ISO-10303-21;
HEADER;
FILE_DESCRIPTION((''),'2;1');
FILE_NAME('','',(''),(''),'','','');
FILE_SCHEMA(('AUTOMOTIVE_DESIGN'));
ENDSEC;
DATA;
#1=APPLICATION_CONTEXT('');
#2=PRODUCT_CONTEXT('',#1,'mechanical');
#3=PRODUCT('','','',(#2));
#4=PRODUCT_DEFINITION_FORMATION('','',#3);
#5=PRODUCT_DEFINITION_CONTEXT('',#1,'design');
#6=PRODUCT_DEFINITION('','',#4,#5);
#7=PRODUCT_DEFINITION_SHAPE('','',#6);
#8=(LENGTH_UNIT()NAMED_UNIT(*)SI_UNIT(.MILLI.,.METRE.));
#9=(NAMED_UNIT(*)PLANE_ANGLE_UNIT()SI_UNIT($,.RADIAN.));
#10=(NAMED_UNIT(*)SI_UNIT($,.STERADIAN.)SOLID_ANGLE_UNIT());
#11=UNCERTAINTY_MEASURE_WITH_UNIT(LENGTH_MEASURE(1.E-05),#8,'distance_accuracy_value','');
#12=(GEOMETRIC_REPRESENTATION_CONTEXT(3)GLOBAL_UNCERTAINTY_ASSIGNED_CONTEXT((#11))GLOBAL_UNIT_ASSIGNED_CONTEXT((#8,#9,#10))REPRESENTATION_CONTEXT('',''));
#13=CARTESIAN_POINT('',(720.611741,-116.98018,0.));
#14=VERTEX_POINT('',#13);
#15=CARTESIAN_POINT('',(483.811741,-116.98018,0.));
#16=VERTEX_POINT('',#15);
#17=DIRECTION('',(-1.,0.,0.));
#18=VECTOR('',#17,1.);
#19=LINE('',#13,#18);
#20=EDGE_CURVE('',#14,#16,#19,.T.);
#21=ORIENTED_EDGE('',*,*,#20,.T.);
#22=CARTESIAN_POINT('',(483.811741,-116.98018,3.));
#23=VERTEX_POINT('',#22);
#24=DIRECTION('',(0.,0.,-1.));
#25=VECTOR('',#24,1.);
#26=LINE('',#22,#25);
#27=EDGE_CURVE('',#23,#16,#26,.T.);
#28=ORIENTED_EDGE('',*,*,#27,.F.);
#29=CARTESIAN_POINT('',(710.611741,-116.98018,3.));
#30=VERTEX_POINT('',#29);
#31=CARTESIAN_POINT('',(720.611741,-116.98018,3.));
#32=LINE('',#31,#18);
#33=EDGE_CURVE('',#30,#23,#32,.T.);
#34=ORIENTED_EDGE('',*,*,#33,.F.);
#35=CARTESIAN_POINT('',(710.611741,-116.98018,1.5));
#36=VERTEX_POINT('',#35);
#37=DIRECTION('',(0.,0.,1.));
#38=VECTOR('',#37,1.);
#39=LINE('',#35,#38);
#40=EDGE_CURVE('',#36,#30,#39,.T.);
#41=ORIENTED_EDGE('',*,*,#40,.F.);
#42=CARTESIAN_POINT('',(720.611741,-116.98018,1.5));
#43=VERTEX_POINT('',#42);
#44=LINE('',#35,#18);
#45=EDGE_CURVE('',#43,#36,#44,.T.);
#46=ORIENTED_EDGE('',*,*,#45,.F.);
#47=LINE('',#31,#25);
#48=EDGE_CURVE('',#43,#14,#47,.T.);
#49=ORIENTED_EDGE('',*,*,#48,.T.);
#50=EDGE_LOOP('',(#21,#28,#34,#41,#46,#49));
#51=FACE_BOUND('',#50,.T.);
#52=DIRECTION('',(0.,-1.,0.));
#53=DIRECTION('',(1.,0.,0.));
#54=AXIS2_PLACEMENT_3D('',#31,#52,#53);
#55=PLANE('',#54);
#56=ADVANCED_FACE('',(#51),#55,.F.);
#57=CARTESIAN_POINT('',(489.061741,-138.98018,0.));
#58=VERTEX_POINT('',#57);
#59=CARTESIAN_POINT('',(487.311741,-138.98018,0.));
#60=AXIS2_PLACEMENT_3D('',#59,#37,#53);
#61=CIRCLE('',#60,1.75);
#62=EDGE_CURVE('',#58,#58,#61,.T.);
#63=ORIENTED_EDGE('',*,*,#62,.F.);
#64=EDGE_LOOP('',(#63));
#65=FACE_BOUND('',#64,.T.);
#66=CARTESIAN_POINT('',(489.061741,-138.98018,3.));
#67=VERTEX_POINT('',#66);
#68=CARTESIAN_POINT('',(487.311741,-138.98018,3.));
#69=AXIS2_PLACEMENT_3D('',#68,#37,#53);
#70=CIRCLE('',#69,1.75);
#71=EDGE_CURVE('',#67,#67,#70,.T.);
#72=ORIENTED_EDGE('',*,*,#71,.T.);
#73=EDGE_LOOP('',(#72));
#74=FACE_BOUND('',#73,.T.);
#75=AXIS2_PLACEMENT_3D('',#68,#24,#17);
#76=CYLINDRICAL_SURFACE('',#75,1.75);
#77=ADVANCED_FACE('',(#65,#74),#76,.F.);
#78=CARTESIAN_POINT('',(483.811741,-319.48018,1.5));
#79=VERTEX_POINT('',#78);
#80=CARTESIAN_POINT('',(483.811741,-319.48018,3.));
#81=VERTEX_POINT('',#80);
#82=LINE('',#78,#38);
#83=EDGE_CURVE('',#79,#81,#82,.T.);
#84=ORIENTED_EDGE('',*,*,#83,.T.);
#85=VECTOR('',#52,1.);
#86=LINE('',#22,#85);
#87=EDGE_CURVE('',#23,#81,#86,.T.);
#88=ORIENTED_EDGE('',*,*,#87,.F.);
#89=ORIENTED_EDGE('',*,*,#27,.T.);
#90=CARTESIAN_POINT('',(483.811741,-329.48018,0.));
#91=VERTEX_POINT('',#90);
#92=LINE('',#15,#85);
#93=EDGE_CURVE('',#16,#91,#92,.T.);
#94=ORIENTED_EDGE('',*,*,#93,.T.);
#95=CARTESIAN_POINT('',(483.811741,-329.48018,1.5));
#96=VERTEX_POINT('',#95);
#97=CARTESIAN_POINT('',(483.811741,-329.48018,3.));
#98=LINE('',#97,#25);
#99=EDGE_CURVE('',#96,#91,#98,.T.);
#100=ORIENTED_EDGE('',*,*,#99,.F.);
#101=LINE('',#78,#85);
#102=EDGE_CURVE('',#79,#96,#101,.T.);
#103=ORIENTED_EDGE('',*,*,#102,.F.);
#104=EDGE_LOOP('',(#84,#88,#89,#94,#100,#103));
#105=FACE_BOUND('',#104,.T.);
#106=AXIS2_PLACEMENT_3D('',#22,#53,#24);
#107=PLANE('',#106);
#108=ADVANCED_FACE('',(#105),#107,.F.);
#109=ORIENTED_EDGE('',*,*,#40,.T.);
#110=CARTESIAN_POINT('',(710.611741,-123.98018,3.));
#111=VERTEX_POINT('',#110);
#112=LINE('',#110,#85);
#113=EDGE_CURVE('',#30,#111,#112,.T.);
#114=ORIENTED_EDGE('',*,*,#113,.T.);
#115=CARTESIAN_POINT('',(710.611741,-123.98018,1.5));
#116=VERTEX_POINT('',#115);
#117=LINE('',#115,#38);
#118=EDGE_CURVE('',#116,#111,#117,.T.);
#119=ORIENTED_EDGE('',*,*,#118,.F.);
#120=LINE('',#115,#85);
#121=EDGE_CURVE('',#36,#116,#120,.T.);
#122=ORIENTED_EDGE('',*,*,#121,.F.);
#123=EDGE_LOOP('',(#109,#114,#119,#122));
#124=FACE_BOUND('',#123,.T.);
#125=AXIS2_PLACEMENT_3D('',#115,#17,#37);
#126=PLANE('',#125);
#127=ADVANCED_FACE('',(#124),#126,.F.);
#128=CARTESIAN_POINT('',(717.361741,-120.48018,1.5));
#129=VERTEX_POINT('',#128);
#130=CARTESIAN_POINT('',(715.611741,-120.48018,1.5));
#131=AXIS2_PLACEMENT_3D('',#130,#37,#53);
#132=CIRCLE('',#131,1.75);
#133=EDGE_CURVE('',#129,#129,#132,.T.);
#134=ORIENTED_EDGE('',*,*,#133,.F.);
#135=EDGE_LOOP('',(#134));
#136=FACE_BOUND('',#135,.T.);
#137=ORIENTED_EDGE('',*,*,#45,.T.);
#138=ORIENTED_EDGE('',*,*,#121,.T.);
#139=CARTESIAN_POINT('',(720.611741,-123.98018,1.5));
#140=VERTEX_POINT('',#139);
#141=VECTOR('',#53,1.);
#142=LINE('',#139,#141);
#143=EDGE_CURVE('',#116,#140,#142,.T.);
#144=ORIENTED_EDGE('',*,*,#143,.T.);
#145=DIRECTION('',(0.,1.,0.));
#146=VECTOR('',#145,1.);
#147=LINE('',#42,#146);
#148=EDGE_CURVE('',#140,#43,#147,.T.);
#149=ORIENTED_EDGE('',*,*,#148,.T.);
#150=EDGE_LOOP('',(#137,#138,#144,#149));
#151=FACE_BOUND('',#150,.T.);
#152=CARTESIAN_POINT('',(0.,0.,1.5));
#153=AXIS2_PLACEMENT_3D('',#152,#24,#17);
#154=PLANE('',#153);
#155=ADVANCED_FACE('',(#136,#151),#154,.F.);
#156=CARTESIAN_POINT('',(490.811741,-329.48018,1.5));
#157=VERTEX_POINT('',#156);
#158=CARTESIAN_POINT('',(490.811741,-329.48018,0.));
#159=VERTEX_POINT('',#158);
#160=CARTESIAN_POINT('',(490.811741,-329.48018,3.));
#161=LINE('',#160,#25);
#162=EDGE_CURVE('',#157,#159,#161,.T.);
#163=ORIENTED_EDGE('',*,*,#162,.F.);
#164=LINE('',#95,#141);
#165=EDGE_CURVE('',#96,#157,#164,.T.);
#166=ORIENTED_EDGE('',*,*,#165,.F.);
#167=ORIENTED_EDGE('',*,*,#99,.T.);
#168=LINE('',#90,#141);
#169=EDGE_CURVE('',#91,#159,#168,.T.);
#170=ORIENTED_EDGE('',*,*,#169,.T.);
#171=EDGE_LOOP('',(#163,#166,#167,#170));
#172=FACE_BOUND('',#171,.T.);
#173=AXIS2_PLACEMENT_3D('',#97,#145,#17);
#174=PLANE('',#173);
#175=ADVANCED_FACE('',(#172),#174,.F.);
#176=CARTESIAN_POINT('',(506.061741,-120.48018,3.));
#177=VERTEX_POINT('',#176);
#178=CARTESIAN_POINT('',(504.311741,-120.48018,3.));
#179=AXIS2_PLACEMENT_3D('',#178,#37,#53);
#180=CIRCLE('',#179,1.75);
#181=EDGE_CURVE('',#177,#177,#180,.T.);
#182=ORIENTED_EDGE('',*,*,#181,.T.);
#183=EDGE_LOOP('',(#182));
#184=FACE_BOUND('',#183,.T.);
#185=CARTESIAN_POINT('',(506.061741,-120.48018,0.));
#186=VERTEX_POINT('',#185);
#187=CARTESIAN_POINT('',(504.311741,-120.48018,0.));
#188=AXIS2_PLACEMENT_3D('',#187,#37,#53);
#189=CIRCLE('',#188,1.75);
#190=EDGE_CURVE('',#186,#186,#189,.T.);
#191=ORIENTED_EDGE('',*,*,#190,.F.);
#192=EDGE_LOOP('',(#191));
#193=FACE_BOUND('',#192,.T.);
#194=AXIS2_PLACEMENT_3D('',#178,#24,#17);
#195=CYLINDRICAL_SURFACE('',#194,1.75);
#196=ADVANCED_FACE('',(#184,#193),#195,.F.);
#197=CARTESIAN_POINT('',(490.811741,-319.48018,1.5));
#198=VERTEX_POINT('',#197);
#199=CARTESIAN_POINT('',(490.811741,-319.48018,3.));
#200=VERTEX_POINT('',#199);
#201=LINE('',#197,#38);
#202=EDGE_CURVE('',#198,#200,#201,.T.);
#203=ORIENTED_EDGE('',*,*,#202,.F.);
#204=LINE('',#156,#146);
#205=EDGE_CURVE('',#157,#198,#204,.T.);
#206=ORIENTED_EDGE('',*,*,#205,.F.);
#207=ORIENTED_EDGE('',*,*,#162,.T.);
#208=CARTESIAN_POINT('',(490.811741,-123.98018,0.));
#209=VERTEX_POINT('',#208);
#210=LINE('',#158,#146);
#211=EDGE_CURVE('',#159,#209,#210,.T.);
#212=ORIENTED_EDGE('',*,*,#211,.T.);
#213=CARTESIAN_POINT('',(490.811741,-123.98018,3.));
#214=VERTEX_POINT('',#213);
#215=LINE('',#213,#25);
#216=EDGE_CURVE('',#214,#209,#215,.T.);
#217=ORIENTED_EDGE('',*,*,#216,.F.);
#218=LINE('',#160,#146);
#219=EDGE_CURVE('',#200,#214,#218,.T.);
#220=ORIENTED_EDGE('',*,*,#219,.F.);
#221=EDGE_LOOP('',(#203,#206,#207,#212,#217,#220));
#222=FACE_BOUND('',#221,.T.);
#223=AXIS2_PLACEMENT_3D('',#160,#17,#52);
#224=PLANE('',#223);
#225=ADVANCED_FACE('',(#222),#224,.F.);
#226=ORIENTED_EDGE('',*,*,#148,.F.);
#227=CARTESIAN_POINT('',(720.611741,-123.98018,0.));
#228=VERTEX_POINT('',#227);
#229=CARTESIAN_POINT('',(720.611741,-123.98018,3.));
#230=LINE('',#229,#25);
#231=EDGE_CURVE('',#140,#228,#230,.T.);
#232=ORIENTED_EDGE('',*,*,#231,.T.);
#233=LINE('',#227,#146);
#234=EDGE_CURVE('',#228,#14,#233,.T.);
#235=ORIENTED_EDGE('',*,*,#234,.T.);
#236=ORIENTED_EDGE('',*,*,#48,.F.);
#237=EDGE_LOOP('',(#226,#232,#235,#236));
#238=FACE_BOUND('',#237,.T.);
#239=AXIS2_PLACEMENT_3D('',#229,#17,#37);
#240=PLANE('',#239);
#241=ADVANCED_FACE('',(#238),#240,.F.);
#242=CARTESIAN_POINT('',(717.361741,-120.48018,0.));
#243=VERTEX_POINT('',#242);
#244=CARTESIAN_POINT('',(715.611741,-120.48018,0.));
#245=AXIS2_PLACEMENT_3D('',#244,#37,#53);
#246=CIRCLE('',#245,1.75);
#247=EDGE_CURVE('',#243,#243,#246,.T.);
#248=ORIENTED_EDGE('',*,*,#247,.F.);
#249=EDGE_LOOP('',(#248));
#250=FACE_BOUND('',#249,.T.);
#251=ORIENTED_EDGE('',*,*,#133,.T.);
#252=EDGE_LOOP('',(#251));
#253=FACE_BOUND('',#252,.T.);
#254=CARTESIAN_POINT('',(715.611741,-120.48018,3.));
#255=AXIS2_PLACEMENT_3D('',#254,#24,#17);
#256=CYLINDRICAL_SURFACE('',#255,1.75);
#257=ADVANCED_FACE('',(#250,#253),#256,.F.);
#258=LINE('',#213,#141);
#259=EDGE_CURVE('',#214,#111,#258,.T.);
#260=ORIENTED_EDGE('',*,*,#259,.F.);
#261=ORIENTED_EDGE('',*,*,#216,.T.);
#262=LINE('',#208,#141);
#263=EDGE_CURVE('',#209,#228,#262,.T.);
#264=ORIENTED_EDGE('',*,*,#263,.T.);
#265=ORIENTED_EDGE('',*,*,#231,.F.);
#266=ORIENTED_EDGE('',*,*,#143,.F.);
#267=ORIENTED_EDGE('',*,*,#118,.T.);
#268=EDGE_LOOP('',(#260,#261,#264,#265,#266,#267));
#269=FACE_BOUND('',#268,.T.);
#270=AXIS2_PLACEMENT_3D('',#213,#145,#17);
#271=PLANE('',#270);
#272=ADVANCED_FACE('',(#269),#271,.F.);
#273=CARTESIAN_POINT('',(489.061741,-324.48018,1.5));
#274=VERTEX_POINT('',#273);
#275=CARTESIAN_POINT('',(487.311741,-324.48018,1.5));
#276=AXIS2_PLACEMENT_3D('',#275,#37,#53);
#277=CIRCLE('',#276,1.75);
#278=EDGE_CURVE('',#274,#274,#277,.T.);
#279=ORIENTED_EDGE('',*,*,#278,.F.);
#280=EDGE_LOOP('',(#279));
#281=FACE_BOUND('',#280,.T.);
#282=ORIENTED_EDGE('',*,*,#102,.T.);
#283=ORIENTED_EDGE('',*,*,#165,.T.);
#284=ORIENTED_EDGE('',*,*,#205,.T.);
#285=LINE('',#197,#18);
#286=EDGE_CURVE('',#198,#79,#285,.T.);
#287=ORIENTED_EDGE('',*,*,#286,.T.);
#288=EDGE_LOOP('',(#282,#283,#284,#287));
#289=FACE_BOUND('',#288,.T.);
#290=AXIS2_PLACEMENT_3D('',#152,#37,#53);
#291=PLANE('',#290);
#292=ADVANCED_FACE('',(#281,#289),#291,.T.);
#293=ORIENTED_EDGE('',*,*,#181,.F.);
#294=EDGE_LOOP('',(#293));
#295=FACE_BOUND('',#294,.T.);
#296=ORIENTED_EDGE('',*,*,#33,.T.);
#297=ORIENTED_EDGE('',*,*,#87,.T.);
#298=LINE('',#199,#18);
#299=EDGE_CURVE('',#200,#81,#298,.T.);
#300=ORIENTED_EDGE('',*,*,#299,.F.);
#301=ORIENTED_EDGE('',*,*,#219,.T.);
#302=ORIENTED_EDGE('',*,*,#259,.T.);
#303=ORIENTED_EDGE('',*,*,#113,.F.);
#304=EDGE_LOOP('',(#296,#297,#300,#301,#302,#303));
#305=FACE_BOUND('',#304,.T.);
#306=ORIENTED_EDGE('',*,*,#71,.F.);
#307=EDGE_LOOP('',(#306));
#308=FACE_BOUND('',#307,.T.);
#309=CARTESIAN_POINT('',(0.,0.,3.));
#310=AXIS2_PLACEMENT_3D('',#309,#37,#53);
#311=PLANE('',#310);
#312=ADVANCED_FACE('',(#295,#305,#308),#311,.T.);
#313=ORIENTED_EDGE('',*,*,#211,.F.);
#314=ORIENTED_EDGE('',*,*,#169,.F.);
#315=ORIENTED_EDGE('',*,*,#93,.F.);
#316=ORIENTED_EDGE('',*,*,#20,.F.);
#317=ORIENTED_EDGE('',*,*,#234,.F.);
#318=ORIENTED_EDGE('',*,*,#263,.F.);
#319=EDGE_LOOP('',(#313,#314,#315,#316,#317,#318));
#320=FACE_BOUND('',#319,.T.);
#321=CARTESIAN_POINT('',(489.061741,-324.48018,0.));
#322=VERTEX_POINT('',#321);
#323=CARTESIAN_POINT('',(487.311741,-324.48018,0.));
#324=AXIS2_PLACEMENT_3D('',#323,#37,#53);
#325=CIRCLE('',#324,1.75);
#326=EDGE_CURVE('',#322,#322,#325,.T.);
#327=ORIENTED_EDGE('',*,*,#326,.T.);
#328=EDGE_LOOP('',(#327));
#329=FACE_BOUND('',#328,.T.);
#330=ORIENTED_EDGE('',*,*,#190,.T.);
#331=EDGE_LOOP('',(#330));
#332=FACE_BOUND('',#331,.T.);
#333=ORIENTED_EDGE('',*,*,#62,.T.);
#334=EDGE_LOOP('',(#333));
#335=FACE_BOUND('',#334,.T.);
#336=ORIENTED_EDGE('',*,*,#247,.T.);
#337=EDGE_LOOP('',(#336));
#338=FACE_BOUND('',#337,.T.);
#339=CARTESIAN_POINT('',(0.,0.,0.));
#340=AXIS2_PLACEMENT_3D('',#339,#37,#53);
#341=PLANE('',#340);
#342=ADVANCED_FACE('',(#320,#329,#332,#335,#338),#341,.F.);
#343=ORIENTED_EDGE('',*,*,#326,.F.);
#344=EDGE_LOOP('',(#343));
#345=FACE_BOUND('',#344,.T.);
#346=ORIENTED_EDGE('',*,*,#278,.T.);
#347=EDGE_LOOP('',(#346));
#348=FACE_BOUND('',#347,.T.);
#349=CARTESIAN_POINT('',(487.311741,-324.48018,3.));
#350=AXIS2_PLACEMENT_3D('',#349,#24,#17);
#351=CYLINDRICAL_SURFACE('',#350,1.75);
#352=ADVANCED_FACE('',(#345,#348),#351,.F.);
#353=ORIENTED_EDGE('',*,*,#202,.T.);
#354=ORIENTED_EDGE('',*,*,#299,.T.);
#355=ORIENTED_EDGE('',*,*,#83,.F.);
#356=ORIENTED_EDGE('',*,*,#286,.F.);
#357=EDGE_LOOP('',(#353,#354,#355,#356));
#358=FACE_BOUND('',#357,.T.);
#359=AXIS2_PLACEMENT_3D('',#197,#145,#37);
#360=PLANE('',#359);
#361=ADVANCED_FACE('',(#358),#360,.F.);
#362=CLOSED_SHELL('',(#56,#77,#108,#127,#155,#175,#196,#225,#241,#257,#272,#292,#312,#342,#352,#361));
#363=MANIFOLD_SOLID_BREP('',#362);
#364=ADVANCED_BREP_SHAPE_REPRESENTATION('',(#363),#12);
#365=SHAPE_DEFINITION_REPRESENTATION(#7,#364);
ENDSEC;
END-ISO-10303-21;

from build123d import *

# Parameters (mm, degrees)
CROQUIS3_R              = 1.75
SALIENTE_EXTRUIR1_DEPTH = 3
CORTAR_EXTRUIR1_START   = -1.5
CROQUIS4_W              = 7
CROQUIS4_H              = 10
CROQUIS4_R              = 1.75
CROQUIS4_W_2            = 10
CROQUIS4_H_2            = 7
CORTAR_EXTRUIR1_DEPTH   = 1.5


with BuildPart() as part:
    # Croquis3 → Saliente-Extruir1 (new body)
    with BuildSketch(Plane.XY):
        Polygon((483.811741117, -116.980180132), (483.811741117, -329.480180132), (490.811741117, -329.480180132), (490.811741117, -123.980180132), (720.611741117, -123.980180132), (720.611741117, -116.980180132), align=None)
        with Locations((487.311741117, -138.980180132)):
            Circle(CROQUIS3_R, mode=Mode.SUBTRACT)
        with Locations((487.311741117, -324.480180132)):
            Circle(CROQUIS3_R, mode=Mode.SUBTRACT)
        with Locations((504.311741117, -120.480180132)):
            Circle(CROQUIS3_R, mode=Mode.SUBTRACT)
        with Locations((715.611741117, -120.480180132)):
            Circle(CROQUIS3_R, mode=Mode.SUBTRACT)
    extrude(amount=SALIENTE_EXTRUIR1_DEPTH)

    # Croquis4 → Cortar-Extruir1 (cut)
    # profile 1 of 2: a face of its own
    with BuildSketch(Plane.XY.offset(3).offset(CORTAR_EXTRUIR1_START)):
        with Locations((487.311741117, -324.480180132)):
            Rectangle(CROQUIS4_W, CROQUIS4_H)
        with Locations((487.311741117, -324.480180132)):
            Circle(CROQUIS4_R, mode=Mode.SUBTRACT)
    # profile 2 of 2: a face of its own
    with BuildSketch(Plane.XY.offset(3).offset(CORTAR_EXTRUIR1_START)):
        with Locations((715.611741117, -120.480180132)):
            Rectangle(CROQUIS4_W_2, CROQUIS4_H_2)
        with Locations((715.611741117, -120.480180132)):
            Circle(CROQUIS4_R, mode=Mode.SUBTRACT)
    extrude(amount=CORTAR_EXTRUIR1_DEPTH, mode=Mode.SUBTRACT)


solid = part.part
